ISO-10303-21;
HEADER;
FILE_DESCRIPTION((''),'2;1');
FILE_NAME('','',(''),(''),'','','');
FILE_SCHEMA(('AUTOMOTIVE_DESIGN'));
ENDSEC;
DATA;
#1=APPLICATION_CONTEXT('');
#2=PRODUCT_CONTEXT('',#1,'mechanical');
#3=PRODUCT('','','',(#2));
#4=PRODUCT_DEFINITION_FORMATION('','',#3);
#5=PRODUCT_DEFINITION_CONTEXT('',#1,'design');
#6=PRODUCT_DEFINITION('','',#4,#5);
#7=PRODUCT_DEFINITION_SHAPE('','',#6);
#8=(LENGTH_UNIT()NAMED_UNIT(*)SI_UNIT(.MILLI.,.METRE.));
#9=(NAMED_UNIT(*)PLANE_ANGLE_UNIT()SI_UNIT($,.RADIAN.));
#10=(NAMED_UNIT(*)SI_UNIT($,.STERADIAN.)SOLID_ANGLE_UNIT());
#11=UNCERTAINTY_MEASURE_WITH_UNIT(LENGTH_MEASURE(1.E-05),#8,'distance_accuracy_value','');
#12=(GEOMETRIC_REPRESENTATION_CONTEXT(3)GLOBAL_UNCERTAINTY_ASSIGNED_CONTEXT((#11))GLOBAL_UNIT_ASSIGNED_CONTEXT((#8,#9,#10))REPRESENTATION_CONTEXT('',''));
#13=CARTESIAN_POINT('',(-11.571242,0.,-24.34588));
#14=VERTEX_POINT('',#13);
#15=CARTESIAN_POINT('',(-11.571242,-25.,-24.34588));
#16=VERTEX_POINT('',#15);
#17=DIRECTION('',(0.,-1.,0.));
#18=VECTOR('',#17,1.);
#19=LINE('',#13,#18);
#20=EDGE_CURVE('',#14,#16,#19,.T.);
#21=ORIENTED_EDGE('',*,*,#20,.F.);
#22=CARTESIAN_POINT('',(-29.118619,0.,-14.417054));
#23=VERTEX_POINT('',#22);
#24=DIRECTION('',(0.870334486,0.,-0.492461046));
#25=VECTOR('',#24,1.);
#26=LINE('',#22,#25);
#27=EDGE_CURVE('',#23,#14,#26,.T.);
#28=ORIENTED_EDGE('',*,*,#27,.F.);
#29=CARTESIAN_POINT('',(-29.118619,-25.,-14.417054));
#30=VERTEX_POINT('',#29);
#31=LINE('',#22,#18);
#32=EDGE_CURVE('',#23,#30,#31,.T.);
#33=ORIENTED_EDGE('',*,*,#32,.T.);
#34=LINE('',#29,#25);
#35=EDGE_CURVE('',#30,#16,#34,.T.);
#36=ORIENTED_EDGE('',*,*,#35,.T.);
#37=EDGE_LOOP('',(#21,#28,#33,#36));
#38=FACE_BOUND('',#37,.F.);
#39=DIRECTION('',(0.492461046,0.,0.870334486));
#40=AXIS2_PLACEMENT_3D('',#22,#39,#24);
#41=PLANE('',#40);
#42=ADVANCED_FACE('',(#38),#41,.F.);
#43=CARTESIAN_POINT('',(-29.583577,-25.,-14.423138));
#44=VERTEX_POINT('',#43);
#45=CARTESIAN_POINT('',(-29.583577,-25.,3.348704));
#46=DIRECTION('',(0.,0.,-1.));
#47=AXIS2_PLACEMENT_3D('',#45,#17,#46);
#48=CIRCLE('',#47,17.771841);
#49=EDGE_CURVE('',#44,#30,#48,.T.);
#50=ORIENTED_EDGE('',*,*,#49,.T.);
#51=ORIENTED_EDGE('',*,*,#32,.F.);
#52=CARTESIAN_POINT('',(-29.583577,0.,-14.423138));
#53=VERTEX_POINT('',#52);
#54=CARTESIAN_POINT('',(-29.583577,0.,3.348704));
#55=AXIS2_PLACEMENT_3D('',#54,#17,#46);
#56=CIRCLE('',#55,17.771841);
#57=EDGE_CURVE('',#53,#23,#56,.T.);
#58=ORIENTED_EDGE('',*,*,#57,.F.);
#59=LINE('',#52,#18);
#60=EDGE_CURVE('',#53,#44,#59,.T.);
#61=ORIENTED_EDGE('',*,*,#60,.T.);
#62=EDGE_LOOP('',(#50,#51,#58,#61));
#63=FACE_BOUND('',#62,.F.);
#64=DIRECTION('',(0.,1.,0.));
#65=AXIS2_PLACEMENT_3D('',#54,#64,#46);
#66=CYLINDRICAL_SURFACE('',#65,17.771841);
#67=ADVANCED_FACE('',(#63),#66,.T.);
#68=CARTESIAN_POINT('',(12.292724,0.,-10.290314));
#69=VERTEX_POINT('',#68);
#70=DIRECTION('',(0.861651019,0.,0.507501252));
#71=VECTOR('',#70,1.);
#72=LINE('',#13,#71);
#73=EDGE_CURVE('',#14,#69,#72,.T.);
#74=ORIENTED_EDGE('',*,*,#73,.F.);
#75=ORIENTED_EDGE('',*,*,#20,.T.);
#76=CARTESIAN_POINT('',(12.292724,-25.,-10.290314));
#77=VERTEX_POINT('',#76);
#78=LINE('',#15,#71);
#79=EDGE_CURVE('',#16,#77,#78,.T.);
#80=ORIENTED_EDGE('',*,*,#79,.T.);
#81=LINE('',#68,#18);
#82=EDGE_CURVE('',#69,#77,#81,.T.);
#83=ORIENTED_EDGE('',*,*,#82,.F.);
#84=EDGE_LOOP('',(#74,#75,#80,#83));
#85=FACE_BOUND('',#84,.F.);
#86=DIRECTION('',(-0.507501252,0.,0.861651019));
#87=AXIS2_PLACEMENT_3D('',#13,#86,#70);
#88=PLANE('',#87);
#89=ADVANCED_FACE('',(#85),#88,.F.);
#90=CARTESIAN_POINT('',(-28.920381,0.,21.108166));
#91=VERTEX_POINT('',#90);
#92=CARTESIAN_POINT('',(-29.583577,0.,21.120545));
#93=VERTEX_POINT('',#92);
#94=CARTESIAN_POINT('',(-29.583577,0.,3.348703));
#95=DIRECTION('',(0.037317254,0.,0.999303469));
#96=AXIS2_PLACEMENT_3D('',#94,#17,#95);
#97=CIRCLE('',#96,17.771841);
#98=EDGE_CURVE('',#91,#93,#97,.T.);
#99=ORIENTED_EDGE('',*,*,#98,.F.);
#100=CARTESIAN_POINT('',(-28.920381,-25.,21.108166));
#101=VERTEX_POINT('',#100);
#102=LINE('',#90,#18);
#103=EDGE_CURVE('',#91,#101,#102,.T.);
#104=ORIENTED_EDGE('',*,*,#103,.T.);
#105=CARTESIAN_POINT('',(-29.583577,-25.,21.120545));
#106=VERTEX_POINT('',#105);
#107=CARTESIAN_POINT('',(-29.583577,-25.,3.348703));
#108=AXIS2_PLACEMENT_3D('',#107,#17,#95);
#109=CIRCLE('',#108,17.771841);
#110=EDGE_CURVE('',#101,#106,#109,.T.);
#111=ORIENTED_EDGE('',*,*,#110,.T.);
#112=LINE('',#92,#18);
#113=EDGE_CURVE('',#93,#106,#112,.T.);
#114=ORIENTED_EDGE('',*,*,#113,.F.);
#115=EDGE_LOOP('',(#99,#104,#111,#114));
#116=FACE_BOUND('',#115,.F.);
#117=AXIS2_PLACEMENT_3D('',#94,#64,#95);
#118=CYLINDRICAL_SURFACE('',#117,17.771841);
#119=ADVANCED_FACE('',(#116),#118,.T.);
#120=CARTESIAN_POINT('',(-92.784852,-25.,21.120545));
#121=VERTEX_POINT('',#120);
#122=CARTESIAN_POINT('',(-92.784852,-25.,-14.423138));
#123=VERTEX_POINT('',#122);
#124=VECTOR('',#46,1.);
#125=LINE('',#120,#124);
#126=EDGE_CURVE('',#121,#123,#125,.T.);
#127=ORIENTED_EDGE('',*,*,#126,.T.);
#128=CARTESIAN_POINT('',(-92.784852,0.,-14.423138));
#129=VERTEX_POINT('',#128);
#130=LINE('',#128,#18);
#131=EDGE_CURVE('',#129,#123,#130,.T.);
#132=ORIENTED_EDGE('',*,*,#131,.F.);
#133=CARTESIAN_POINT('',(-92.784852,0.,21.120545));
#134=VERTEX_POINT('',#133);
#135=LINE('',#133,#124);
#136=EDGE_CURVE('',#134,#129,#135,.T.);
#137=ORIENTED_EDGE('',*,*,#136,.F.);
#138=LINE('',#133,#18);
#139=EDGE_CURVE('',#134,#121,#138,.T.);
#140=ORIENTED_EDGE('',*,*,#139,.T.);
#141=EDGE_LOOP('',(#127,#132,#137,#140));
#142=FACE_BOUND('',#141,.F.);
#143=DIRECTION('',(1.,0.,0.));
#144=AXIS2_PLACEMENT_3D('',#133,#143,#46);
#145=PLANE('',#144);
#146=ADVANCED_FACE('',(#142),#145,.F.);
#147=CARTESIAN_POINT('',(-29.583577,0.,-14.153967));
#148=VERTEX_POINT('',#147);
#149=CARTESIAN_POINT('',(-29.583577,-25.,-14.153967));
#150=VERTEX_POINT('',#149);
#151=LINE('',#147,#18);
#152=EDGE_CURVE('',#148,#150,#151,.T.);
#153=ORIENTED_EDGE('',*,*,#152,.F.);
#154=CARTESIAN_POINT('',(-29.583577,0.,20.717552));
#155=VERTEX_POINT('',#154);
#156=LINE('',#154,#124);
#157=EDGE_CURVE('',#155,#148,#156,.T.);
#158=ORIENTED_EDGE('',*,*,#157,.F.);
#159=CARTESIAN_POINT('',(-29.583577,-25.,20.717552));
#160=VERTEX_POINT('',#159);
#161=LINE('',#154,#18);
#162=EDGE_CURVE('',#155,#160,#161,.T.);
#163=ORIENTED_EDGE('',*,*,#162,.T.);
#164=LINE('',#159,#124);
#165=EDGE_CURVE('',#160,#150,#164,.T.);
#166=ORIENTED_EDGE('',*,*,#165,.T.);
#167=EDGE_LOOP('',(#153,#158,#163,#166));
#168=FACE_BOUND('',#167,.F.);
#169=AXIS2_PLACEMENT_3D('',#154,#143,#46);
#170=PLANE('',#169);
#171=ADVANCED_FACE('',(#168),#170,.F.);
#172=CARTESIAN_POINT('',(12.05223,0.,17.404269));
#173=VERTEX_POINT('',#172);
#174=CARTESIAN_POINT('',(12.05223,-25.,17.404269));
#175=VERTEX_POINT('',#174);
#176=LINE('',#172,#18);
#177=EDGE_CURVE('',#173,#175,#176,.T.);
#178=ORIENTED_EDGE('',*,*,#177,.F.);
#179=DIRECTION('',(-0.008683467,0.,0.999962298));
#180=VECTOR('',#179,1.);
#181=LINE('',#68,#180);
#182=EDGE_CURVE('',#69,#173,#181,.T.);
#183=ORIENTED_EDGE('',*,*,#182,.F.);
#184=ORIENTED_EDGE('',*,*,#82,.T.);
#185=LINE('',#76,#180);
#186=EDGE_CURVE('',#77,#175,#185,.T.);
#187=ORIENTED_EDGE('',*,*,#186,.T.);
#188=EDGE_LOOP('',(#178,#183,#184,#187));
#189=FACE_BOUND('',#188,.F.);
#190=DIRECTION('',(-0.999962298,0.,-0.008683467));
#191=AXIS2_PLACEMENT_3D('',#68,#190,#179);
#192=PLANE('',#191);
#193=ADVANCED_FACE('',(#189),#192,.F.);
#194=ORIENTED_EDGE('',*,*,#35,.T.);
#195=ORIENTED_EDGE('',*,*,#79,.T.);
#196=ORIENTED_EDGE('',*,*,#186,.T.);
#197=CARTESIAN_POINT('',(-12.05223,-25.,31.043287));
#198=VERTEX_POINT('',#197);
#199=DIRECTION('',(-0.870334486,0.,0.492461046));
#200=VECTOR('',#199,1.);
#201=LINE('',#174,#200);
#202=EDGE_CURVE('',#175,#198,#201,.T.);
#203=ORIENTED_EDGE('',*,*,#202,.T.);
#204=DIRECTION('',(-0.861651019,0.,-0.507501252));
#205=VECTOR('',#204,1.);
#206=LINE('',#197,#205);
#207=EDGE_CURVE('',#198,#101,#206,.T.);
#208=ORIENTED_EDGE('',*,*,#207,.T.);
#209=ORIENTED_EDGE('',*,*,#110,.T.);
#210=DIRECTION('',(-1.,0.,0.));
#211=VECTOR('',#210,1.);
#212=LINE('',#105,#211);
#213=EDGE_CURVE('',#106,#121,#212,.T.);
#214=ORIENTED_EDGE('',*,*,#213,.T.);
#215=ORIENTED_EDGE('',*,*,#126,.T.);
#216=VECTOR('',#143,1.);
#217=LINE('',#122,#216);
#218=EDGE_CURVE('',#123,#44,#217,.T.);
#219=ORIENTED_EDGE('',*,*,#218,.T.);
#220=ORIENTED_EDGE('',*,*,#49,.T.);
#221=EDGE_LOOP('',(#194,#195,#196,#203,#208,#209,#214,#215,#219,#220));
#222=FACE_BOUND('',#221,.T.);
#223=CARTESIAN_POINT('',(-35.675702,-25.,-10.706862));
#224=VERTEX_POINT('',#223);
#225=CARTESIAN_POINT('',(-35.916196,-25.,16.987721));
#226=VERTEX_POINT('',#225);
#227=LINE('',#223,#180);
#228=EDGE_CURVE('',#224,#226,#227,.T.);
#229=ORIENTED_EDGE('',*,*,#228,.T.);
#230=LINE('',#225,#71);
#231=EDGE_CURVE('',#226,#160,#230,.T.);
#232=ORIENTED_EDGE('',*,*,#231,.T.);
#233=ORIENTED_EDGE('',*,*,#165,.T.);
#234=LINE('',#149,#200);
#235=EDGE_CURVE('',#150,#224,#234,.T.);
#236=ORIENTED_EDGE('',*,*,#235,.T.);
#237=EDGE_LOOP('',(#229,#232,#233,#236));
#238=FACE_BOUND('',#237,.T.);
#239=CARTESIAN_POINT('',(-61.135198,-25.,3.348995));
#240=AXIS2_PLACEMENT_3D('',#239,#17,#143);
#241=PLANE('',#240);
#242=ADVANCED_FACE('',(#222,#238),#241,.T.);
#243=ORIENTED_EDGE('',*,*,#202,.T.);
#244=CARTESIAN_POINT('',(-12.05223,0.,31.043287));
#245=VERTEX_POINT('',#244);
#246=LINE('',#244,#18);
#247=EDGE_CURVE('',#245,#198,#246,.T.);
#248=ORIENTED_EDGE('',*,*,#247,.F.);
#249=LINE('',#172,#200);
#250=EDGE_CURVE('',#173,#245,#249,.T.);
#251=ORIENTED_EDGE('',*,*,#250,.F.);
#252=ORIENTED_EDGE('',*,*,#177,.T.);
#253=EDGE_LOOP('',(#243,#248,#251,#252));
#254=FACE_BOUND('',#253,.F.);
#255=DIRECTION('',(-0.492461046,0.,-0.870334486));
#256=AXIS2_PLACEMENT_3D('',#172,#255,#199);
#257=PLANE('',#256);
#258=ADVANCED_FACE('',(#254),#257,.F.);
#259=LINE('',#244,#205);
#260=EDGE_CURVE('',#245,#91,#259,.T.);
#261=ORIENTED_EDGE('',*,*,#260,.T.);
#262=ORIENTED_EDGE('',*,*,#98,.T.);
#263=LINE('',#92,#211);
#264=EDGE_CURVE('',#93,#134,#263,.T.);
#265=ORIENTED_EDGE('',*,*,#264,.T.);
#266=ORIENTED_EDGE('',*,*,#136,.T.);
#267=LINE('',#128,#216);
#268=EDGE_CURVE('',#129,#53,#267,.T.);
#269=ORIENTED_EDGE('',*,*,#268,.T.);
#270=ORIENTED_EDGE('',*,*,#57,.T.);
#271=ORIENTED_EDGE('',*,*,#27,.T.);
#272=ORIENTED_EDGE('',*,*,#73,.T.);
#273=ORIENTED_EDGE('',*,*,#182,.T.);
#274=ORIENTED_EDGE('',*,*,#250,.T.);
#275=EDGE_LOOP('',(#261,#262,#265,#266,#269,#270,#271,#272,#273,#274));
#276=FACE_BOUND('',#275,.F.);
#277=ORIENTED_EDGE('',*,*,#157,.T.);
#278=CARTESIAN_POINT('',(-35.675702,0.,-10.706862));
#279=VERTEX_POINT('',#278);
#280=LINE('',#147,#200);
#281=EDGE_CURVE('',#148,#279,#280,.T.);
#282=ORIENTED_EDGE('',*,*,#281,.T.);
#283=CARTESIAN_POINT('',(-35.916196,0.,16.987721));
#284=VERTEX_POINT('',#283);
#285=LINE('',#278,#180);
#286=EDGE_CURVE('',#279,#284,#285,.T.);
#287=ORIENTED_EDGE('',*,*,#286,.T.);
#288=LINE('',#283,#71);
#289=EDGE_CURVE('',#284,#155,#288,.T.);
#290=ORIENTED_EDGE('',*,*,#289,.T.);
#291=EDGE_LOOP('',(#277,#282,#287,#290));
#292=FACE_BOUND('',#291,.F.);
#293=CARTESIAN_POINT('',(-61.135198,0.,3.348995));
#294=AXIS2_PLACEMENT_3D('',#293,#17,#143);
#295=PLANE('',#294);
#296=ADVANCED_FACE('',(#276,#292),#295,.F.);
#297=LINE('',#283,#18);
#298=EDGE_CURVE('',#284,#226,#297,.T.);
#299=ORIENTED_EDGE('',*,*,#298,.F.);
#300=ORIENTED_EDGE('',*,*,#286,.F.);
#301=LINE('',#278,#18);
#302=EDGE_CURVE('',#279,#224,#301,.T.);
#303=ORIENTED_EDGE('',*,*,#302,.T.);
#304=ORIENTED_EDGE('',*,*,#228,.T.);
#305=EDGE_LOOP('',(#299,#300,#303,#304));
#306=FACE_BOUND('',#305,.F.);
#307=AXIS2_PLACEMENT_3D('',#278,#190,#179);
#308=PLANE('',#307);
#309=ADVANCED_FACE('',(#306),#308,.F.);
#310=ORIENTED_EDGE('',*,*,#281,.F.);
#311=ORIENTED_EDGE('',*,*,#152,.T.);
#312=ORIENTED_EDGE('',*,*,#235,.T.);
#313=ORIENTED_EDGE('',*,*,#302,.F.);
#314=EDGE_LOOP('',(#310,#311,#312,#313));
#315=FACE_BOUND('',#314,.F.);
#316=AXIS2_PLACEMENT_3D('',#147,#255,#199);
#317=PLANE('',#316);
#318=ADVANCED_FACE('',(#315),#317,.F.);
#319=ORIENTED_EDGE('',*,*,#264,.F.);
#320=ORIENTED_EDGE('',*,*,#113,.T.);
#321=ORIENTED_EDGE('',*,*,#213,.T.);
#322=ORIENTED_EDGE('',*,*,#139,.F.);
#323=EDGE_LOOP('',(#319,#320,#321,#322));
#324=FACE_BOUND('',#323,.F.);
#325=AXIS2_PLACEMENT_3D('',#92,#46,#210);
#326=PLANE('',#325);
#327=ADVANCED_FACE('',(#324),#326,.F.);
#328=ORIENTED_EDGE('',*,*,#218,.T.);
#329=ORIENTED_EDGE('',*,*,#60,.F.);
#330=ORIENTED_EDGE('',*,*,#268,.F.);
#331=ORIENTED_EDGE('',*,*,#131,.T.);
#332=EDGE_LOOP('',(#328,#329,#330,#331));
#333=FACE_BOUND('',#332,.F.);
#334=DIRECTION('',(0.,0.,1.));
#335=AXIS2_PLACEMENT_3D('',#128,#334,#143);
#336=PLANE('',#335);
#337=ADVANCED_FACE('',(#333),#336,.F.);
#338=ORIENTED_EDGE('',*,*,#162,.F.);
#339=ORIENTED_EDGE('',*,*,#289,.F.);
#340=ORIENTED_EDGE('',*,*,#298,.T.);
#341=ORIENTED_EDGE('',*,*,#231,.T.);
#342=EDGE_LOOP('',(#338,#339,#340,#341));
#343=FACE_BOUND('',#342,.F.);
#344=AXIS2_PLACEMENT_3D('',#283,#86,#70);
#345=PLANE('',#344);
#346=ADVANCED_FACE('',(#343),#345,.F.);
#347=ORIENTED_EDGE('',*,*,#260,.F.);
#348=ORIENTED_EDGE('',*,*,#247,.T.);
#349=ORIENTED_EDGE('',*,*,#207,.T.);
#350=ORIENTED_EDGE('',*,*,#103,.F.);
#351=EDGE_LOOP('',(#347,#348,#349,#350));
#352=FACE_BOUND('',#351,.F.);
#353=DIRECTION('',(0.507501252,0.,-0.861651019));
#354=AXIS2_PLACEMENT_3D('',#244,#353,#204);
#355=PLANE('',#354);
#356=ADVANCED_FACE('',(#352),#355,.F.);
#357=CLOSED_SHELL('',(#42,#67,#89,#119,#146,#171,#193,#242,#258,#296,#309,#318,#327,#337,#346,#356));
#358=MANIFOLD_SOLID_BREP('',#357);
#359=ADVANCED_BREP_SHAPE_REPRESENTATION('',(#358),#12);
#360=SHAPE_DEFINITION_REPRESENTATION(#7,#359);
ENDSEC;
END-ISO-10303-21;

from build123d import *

# Parameters (mm, degrees)
F1_DEPTH = 25


with BuildPart() as f1:
    # F0 (on Front) → F1 (new body)
    with BuildSketch(Plane.XZ):
        Polygon((-29.5835770667, 21.120544523), (-92.7848517895, 21.120544523), (-92.7848517895, -14.4231375307), (-29.5835770667, -14.4231375307), (-29.5835770667, -14.1539673671), (-35.6757021929, -10.7068624223), (-35.9161962663, 16.9877214605), (-29.5835770667, 20.7175518679), align=None)
        with BuildLine():
            Line((-12.0522301133, 31.043287379), (-28.9203807503, 21.1081658791))
            ThreePointArc((-28.9203807503, 21.1081658791), (-11.8120127308, 3.2495342407), (-29.1186193274, -14.4170542356))
            Line((-29.1186193274, -14.4170542356), (-11.5712419664, -24.3458803867))
            Line((-11.5712419664, -24.3458803867), (12.2927241867, -10.2903144682))
            Line((12.2927241867, -10.2903144682), (12.0522301133, 17.4042694147))
            Line((12.0522301133, 17.4042694147), (-12.0522301133, 31.043287379))
        make_face()
        with BuildLine():
            ThreePointArc((-28.9203807503, 21.1081658791), (-29.2519211513, 21.1174495925), (-29.5835770667, 21.120544523))
            Line((-29.5835770667, 21.120544523), (-29.5835770667, 20.7175518679))
            Line((-29.5835770667, 20.7175518679), (-28.9203807503, 21.1081658791))
        make_face()
        with BuildLine():
            Line((-29.5835770667, -14.1539673671), (-29.5835770667, -14.4231375307))
            ThreePointArc((-29.5835770667, -14.4231375307), (-29.3510783001, -14.4216166418), (-29.1186193274, -14.4170542356))
            Line((-29.1186193274, -14.4170542356), (-29.5835770667, -14.1539673671))
        make_face()
        with BuildLine():
            Line((-28.9203807503, 21.1081658791), (-29.5835770667, 20.7175518679))
            Line((-29.5835770667, 20.7175518679), (-29.5835770667, -14.1539673671))
            Line((-29.5835770667, -14.1539673671), (-29.1186193274, -14.4170542356))
            ThreePointArc((-29.1186193274, -14.4170542356), (-11.8120127308, 3.2495342407), (-28.9203807503, 21.1081658791))
        make_face()
    extrude(amount=F1_DEPTH)


solid = f1.part
